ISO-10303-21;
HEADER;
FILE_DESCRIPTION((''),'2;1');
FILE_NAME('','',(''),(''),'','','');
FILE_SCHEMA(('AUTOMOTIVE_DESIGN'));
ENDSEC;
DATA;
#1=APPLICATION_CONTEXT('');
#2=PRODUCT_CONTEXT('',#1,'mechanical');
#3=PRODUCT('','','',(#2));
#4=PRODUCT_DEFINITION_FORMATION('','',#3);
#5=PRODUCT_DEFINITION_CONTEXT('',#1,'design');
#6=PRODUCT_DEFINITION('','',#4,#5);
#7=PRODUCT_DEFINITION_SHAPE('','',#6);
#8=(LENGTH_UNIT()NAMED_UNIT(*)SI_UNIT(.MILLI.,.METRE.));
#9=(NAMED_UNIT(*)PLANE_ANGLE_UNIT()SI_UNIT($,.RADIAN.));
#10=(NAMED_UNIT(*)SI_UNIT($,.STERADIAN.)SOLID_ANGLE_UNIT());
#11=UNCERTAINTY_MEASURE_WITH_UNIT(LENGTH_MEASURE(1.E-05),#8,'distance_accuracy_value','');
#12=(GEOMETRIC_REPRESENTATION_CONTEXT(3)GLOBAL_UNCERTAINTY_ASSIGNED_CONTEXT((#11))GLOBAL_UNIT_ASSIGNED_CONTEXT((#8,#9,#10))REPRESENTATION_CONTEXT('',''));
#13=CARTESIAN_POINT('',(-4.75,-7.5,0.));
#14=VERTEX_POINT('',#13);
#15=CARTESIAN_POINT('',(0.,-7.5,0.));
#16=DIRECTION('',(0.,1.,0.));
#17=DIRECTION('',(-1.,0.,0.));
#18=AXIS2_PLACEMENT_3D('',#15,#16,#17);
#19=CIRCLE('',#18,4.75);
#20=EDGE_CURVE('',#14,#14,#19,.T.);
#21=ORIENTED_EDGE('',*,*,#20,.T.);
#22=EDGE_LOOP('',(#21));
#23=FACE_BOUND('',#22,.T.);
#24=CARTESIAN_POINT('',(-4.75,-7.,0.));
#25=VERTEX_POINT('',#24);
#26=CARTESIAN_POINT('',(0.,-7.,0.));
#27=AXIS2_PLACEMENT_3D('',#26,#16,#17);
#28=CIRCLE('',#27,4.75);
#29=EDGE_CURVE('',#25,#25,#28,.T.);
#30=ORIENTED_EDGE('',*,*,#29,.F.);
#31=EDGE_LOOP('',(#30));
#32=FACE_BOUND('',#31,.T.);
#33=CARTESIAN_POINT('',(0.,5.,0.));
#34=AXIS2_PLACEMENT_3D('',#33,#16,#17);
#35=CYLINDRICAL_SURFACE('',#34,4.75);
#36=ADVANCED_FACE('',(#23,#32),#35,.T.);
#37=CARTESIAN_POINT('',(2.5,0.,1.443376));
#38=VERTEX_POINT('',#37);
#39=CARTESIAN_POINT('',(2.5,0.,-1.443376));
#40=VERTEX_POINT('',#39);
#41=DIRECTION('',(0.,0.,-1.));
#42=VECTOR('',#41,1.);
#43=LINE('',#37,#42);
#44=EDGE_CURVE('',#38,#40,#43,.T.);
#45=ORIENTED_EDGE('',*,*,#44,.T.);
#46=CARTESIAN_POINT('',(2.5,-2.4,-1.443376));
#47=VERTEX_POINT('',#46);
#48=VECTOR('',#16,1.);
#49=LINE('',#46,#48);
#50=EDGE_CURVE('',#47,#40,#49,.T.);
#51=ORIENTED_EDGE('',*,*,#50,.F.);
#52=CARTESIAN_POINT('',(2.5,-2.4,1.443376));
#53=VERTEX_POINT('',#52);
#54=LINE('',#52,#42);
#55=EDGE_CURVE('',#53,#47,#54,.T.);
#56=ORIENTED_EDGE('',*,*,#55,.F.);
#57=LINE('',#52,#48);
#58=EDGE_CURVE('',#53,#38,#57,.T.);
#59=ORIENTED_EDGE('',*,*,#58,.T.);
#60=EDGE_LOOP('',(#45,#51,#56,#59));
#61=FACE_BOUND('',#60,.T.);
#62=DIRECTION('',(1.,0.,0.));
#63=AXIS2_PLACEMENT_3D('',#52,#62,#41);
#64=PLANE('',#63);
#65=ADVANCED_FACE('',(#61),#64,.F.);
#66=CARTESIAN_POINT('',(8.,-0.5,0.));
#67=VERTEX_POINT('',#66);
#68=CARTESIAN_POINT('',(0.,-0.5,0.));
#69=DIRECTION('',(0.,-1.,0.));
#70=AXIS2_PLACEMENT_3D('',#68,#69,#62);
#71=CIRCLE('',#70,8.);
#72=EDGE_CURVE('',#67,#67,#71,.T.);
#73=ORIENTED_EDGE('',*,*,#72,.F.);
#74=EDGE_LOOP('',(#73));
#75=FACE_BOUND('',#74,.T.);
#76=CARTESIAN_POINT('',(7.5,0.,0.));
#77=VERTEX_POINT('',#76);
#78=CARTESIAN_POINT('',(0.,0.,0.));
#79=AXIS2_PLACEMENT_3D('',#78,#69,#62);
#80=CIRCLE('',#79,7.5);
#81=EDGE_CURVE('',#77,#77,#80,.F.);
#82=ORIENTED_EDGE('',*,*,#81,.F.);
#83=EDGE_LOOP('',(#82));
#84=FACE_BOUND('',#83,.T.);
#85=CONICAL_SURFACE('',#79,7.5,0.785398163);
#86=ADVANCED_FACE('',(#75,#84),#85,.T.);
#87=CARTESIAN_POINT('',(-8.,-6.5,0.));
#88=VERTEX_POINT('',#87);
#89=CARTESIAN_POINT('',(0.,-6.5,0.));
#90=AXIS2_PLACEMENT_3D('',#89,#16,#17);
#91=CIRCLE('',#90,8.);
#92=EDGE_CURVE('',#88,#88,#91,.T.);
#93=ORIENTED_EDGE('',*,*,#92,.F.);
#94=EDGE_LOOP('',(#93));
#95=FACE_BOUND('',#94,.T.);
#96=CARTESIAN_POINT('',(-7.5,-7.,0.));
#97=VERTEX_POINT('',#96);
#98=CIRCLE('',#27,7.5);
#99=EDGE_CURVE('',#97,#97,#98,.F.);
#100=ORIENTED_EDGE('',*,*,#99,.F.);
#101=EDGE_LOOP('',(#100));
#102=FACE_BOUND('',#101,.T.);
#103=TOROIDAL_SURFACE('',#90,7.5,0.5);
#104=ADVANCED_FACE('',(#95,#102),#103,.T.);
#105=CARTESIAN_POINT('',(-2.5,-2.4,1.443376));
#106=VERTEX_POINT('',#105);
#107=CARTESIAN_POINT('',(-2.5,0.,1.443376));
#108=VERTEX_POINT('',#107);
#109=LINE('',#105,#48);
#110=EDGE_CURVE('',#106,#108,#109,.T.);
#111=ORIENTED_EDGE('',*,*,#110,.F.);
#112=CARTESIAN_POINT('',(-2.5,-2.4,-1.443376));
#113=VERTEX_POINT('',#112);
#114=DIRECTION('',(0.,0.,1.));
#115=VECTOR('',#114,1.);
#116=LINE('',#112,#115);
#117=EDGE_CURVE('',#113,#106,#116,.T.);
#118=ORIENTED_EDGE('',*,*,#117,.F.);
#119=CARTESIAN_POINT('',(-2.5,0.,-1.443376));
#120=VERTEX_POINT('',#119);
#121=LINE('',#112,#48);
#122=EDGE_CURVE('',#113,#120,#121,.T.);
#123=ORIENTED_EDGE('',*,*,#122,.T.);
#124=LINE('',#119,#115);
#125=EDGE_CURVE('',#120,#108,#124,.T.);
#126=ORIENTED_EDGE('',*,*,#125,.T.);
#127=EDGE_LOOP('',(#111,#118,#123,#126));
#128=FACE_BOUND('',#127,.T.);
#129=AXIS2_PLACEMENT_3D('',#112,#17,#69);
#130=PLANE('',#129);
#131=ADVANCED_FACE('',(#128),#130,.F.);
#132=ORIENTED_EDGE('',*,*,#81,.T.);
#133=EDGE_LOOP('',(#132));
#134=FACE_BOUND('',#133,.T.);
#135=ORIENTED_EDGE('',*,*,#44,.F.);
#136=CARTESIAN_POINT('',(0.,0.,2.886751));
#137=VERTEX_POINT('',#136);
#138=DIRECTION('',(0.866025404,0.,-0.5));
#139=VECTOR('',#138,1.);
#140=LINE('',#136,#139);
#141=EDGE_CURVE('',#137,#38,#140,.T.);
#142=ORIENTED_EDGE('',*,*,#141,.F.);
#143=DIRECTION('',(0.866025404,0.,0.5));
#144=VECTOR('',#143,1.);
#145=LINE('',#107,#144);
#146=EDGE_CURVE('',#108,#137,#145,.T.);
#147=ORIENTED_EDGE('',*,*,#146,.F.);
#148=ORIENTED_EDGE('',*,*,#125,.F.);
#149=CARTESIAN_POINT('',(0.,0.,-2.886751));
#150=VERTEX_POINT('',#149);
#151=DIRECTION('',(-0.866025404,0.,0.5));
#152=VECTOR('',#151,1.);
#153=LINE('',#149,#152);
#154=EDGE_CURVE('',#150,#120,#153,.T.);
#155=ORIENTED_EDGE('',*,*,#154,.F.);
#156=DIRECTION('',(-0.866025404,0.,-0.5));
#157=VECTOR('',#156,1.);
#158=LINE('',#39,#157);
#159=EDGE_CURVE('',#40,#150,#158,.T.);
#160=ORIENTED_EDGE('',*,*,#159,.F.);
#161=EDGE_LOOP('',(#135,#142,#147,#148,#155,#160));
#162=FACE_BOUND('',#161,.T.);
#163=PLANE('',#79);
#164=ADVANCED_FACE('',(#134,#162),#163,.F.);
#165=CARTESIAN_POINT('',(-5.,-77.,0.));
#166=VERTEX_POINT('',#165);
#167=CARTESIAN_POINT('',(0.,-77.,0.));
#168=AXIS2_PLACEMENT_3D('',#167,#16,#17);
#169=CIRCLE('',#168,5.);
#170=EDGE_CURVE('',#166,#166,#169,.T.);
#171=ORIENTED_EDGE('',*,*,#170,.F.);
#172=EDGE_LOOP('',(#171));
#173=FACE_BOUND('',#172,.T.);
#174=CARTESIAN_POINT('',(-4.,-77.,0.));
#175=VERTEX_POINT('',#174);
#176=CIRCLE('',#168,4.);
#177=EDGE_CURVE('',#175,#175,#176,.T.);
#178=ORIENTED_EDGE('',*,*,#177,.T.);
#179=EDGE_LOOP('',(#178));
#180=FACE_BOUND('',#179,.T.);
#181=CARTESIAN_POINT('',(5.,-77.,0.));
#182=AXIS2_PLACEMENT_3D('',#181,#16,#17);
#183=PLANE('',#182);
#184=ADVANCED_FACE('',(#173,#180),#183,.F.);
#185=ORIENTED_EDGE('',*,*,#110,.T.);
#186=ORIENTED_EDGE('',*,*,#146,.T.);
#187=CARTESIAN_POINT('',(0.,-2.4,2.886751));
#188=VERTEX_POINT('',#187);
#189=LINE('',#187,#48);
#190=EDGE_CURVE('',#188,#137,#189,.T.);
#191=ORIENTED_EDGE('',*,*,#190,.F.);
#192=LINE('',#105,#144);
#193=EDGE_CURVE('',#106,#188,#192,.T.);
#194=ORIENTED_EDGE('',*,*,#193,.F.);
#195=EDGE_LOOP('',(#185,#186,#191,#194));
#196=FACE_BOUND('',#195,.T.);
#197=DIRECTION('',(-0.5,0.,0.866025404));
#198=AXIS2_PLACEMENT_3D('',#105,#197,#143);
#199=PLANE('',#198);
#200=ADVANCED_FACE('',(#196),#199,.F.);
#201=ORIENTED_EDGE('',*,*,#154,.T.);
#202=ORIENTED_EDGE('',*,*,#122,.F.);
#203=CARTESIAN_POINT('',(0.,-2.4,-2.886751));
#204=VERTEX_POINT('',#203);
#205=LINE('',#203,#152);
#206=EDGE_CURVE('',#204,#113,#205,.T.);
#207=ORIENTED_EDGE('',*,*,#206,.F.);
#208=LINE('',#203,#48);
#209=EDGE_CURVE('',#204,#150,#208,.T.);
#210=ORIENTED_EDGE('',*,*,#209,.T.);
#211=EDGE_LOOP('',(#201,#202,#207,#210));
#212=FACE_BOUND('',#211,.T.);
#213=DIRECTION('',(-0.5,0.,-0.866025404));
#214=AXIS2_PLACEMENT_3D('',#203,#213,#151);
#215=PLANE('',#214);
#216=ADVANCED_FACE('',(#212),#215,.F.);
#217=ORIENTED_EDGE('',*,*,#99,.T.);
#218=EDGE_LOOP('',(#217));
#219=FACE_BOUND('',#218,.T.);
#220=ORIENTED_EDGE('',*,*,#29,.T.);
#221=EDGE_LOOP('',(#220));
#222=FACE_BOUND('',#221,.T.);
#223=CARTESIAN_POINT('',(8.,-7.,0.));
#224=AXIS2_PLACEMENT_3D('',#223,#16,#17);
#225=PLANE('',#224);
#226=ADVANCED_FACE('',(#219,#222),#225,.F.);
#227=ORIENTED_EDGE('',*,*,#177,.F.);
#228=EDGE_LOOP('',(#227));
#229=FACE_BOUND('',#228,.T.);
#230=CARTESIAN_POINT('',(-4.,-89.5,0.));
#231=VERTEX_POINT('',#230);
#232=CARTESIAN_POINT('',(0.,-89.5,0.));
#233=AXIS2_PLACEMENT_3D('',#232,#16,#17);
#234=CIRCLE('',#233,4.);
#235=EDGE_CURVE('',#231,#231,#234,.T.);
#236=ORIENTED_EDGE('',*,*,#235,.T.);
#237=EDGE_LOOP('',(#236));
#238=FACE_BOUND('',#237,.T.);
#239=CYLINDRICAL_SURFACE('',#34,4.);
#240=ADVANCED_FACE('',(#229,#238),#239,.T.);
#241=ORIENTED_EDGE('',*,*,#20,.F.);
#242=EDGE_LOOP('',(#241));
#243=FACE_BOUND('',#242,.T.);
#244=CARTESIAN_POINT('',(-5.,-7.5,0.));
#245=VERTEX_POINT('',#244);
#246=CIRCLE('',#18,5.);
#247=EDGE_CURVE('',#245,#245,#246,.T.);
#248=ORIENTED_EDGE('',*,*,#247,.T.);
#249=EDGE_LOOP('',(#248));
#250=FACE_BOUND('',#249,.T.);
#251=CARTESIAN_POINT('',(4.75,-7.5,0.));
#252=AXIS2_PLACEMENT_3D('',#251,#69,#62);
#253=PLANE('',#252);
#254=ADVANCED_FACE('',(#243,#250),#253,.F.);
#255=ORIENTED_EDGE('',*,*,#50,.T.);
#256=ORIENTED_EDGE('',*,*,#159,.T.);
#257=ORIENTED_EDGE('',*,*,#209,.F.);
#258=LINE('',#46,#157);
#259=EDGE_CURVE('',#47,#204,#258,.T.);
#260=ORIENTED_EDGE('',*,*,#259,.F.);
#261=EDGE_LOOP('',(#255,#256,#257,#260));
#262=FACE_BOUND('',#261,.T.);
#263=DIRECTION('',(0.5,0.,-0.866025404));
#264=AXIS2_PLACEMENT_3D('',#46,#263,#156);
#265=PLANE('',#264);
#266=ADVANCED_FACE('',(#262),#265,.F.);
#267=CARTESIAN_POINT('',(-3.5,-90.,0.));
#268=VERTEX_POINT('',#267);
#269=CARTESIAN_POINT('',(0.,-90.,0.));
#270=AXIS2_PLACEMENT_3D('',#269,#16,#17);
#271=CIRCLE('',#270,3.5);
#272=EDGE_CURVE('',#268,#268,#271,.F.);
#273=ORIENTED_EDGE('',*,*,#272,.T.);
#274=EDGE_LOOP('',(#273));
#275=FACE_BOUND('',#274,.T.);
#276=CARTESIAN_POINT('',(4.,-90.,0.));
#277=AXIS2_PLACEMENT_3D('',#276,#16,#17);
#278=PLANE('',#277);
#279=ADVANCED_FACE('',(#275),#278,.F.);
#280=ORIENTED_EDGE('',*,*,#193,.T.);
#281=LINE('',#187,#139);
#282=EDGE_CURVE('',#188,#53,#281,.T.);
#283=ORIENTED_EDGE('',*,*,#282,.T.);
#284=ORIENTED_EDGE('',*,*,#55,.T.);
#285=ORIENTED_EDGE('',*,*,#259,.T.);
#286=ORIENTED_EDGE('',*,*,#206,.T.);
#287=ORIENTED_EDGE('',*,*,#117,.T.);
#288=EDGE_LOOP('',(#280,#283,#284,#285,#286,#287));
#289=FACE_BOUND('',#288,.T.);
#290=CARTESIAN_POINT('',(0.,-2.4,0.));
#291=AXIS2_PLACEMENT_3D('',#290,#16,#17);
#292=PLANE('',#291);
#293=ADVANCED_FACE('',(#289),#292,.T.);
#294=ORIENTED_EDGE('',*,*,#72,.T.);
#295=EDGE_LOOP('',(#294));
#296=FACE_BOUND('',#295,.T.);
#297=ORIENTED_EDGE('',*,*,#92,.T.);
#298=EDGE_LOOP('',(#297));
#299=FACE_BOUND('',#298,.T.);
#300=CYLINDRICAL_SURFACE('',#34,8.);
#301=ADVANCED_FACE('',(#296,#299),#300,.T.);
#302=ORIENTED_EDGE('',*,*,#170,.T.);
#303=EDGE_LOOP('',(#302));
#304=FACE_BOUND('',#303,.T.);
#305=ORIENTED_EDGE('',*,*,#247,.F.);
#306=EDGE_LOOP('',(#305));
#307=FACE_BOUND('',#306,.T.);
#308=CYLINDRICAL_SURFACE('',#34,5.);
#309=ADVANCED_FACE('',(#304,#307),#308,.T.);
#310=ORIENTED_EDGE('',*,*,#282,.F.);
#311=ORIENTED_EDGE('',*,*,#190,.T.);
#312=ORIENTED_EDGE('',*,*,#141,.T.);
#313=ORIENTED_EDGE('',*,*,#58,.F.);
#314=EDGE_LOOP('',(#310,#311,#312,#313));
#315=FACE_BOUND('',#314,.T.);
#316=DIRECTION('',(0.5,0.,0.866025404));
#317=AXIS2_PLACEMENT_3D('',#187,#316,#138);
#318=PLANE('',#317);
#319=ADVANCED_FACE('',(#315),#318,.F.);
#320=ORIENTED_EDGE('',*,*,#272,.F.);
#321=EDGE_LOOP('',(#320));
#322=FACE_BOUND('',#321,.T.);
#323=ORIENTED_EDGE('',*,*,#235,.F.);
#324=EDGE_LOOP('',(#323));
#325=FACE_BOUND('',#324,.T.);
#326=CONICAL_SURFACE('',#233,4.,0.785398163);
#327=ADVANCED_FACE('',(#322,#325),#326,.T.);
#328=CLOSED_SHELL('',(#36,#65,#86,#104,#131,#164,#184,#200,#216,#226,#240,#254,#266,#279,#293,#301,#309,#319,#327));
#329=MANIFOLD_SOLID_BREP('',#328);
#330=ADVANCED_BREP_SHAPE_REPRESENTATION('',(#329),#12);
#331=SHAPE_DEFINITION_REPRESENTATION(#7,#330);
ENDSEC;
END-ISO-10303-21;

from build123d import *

# Parameters (mm, degrees)
CUT_EXTRUDE1_DEPTH = 2.4
CHAMFER1_SIZE      = 0.5
FILLET1_R          = 0.5
CHAMFER2_SIZE      = 0.5


with BuildPart() as part:
    # Sketch1 → Revolve1 (revolve)
    with BuildSketch(Plane.XY, mode=Mode.PRIVATE) as revolve1_sk:
        Polygon((0, 0), (8, 0), (8, -7), (4.75, -7), (4.75, -7.5), (5, -7.5), (5, -77), (4, -77), (4, -90), (0, -90), align=None)
    revolve(revolve1_sk.sketch.rotate(Axis((0, 5, 0), (0, -1, 0)), 180), axis=Axis((0, 5, 0), (0, -1, 0)))

    # Sketch2 → Cut-Extrude1 (cut)
    with BuildSketch(Plane(origin=(0, 0, 0), x_dir=(1, 0, 0), z_dir=(0, 1, 0))):
        Polygon((0, -2.886751346), (2.5, -1.443375673), (2.5, 1.443375673), (0, 2.886751346), (-2.5, 1.443375673), (-2.5, -1.443375673), align=None)
    extrude(amount=-CUT_EXTRUDE1_DEPTH, mode=Mode.SUBTRACT)

    # Chamfer1
    chamfer1_edges = [part.edges().sort_by_distance(p)[0] for p in [
        (8, 0, 0),
    ]]
    chamfer(chamfer1_edges, length=CHAMFER1_SIZE)

    # Fillet1
    fillet1_edges = [part.edges().sort_by_distance(p)[0] for p in [
        (8, -7, 0),
    ]]
    fillet(fillet1_edges, radius=FILLET1_R)

    # Chamfer2
    chamfer2_edges = [part.edges().sort_by_distance(p)[0] for p in [
        (4, -90, 0),
    ]]
    chamfer(chamfer2_edges, length=CHAMFER2_SIZE)


solid = part.part
